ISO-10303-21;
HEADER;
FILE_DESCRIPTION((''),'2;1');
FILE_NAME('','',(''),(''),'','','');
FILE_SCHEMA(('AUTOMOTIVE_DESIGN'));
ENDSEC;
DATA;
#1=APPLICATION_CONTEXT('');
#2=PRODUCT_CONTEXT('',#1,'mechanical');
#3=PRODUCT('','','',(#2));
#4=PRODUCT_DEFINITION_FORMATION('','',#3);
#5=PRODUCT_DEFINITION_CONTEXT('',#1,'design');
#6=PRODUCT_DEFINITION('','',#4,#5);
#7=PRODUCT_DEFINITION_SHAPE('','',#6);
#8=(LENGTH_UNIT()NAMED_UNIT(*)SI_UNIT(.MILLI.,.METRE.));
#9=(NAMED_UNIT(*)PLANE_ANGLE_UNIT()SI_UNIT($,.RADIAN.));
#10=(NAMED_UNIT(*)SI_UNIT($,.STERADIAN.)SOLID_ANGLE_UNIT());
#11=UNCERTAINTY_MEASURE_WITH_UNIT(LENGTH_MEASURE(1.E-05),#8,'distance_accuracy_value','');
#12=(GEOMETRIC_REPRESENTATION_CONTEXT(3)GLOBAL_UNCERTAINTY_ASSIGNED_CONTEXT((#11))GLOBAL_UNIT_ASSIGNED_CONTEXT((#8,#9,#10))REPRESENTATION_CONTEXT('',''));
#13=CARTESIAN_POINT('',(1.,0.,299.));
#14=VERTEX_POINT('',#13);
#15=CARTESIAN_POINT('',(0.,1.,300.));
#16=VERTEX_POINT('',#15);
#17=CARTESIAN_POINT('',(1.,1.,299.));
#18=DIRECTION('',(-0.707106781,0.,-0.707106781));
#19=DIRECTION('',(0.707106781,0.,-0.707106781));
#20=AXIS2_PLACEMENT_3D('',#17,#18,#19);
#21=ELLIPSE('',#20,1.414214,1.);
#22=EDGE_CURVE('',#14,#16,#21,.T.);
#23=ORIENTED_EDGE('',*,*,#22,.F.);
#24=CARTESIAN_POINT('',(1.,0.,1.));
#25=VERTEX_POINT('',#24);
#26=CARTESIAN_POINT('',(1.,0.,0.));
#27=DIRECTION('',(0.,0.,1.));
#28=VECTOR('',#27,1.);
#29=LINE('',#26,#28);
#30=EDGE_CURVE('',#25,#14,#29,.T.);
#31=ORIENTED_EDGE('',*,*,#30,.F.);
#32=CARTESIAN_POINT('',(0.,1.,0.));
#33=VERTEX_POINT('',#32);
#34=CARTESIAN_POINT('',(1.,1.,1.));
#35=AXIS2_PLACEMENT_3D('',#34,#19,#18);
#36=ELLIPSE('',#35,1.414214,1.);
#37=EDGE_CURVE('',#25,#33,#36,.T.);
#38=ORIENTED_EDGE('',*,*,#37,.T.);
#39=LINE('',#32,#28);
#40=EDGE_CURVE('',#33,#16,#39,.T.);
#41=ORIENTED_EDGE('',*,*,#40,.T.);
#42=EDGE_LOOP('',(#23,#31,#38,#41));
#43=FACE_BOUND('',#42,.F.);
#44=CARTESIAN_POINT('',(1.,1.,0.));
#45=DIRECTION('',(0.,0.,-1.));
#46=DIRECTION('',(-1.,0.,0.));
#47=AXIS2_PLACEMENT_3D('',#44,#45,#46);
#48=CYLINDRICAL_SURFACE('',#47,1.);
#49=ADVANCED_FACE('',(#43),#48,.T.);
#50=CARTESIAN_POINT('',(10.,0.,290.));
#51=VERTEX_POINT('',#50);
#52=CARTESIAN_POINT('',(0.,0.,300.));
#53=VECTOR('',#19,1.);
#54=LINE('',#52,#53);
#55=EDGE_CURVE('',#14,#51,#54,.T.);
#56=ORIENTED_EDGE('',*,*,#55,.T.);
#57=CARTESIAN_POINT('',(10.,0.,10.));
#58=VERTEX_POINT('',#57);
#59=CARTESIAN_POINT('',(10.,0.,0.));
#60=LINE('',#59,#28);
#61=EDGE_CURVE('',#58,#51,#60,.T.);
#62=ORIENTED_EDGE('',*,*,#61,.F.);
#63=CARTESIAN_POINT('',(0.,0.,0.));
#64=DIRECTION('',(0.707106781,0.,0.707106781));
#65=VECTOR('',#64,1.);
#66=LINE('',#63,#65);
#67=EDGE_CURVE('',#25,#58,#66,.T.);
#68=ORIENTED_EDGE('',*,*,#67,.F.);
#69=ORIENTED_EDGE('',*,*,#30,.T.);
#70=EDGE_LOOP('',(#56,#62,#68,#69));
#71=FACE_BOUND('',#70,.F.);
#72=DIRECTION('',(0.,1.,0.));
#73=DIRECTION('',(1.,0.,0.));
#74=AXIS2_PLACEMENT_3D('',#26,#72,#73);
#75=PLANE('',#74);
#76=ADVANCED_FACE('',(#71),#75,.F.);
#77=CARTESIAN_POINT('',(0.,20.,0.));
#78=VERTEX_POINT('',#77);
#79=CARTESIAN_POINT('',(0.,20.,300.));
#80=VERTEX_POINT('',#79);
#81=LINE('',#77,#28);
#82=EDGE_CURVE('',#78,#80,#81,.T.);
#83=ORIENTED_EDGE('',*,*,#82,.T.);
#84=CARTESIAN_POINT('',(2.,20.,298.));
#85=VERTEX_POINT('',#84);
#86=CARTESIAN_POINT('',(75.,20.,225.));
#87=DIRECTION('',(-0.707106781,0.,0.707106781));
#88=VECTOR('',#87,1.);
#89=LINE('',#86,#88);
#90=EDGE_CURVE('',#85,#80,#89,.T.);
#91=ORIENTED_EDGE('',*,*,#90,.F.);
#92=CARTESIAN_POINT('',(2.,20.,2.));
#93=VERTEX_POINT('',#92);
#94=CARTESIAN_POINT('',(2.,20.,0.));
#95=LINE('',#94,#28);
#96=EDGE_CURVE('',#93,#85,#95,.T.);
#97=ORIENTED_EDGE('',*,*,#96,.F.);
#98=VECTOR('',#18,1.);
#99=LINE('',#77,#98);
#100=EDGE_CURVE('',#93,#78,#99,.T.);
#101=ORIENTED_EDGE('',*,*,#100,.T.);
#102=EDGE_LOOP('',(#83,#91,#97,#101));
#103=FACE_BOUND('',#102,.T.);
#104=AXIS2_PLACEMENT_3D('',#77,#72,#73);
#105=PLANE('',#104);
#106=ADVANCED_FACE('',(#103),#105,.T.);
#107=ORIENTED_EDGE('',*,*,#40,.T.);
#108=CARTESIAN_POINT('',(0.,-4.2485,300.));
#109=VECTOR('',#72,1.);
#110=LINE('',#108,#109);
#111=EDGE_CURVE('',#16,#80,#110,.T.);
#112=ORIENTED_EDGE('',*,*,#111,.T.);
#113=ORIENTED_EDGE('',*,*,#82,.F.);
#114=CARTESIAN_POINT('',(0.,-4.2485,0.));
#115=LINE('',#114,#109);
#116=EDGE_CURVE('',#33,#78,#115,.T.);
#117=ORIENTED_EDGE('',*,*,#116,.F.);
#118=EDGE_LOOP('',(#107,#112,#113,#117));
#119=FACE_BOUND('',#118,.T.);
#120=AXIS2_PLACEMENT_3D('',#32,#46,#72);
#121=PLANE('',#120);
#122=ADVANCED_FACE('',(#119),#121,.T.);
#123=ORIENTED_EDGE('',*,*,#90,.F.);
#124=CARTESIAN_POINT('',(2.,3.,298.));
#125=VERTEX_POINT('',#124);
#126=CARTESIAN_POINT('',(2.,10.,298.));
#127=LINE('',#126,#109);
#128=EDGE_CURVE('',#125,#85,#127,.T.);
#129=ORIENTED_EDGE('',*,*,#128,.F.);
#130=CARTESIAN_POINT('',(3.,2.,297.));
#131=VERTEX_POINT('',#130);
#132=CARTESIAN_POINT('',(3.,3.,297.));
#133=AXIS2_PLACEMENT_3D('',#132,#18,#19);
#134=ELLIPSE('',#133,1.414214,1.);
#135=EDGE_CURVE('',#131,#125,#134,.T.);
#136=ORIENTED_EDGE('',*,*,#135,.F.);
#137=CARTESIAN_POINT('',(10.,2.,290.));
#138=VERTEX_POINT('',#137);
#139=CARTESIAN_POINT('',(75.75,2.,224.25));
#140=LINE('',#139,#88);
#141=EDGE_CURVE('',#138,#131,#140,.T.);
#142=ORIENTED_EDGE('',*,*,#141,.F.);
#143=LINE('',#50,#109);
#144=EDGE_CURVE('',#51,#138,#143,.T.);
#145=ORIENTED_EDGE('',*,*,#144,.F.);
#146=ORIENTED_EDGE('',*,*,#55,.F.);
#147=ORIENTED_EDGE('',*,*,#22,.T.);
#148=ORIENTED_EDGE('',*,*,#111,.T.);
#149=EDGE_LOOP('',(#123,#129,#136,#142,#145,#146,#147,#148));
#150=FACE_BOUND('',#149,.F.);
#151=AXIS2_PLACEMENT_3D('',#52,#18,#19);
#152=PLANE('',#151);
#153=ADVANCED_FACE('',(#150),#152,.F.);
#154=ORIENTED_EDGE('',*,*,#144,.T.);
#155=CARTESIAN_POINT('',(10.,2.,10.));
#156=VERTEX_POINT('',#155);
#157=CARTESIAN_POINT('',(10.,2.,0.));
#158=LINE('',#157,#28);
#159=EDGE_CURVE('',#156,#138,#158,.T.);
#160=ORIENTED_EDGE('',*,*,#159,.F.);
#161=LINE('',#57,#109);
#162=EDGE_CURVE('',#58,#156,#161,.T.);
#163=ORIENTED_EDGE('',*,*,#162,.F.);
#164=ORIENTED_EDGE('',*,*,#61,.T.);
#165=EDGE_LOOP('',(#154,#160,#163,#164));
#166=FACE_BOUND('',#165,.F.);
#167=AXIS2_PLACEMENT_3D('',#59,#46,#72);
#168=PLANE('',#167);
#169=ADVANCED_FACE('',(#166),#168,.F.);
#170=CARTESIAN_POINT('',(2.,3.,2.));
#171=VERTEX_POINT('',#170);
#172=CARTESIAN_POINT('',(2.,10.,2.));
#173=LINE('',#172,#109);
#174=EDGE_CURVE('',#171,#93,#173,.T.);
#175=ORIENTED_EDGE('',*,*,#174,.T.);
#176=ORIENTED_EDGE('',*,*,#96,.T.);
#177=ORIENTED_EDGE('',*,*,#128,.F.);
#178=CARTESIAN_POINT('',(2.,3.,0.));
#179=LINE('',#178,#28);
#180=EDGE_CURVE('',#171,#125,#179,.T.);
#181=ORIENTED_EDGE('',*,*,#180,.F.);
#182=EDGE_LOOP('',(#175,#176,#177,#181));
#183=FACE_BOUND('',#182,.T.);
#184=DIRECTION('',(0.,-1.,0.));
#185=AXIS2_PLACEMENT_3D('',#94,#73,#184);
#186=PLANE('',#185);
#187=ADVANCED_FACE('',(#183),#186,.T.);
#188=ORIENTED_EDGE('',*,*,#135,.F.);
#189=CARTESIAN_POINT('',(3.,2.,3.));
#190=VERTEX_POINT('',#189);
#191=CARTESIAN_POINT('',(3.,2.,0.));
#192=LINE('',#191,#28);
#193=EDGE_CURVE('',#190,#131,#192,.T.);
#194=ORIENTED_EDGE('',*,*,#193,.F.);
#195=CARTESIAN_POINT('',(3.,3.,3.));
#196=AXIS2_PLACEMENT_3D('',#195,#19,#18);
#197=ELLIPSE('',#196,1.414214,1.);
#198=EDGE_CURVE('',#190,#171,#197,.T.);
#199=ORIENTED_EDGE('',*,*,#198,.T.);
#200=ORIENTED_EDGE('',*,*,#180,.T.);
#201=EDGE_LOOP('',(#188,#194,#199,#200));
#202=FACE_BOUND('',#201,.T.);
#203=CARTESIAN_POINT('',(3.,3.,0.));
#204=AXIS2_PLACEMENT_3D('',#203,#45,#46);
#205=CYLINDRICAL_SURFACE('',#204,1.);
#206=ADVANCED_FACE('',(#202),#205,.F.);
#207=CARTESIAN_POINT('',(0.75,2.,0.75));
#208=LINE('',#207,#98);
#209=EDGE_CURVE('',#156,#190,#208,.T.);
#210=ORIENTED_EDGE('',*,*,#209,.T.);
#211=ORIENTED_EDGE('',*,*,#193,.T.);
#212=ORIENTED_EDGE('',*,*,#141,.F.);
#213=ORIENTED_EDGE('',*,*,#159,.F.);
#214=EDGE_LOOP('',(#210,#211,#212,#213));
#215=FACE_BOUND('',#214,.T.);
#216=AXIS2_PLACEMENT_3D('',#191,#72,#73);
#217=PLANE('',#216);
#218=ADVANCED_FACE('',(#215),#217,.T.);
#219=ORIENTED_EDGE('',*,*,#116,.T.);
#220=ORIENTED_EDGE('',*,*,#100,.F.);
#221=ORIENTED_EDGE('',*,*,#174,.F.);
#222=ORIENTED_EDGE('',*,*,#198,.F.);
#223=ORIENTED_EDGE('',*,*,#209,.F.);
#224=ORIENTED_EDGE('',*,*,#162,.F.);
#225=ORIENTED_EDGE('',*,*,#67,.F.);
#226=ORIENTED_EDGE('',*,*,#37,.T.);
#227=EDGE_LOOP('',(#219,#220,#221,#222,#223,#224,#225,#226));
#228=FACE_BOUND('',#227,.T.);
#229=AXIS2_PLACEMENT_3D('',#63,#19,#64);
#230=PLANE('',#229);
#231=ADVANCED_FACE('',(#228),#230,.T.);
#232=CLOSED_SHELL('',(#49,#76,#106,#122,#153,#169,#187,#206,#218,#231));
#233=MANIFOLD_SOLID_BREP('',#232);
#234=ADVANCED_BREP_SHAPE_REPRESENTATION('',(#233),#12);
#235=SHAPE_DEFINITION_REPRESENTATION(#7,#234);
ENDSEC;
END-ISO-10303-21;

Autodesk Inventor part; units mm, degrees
ref_plane "YZ Plane" through (0, 0, 0) normal (1, 0, 0) x (0, 1, 0)
ref_plane "XZ Plane" through (0, 0, 0) normal (0, 1, 0) x (-1, 0, 0)
ref_plane "XY Plane" through (0, 0, 0) normal (0, 0, 1) x (1, 0, 0)
sketch "Szkic1" plane through (0, 0, 0) normal (0, 0, 1) x (1, 0, 0)
  line L0 (-2.2485, 0) -> (12.0414, 0) projected
  line L1 (0, -4.2485) -> (0, 24.0414) projected
  line L2 (10, 0) -> (1, 0)
  line L3 (0, 1) -> (0, 20)
  line L4 (2, 20) -> (2, 3)
  line L5 (3, 2) -> (10, 2)
  line L6 (0, 20) -> (2, 20)
  line L7 (10, 0) -> (10, 2)
  arc A0 (2, 3) -> (3, 2) centre (3, 3) ccw
  arc A1 (0, 1) -> (1, 0) centre (1, 1) ccw
  point P0 (0, 0)
  dimension "d0" = 20
  dimension "d1" = 10
  dimension "d2" = 2
  dimension "d3" = 1
extrude "Wyciągnięcie proste1" add sketch "Szkic1" along normal blind 300 contours A1 L1 L6 L4 A0 L5 L7 L0
sketch "Szkic2" plane through (1, 0, 0) normal (0, -1, 0) x (1, 0, 0)
  line L0 (0, 0) -> (9, 0) projected
  line L1 (9, 0) -> (9, 300) projected
  line L2 (0, 300) -> (9, 300) projected
  line L3 (-1, 0) -> (-1, 300) projected
  line L4 (-1, 300) -> (9, 290)
  line L5 (9, 290) -> (9, 300)
  line L6 (9, 300) -> (-1, 300)
  line L7 (-1, 0) -> (9, 10)
  line L8 (9, 10) -> (9, 0)
  line L9 (9, 0) -> (-1, 0)
  dimension "d6" = 135
  dimension "d7" = 45
extrude "Wyciągnięcie proste2" cut sketch "Szkic2" against normal through all contours L9 L7 L1 L0 | L6 L2 L1 L4
properties part number "kątownik_mały1" material "Aluminium 6061"
